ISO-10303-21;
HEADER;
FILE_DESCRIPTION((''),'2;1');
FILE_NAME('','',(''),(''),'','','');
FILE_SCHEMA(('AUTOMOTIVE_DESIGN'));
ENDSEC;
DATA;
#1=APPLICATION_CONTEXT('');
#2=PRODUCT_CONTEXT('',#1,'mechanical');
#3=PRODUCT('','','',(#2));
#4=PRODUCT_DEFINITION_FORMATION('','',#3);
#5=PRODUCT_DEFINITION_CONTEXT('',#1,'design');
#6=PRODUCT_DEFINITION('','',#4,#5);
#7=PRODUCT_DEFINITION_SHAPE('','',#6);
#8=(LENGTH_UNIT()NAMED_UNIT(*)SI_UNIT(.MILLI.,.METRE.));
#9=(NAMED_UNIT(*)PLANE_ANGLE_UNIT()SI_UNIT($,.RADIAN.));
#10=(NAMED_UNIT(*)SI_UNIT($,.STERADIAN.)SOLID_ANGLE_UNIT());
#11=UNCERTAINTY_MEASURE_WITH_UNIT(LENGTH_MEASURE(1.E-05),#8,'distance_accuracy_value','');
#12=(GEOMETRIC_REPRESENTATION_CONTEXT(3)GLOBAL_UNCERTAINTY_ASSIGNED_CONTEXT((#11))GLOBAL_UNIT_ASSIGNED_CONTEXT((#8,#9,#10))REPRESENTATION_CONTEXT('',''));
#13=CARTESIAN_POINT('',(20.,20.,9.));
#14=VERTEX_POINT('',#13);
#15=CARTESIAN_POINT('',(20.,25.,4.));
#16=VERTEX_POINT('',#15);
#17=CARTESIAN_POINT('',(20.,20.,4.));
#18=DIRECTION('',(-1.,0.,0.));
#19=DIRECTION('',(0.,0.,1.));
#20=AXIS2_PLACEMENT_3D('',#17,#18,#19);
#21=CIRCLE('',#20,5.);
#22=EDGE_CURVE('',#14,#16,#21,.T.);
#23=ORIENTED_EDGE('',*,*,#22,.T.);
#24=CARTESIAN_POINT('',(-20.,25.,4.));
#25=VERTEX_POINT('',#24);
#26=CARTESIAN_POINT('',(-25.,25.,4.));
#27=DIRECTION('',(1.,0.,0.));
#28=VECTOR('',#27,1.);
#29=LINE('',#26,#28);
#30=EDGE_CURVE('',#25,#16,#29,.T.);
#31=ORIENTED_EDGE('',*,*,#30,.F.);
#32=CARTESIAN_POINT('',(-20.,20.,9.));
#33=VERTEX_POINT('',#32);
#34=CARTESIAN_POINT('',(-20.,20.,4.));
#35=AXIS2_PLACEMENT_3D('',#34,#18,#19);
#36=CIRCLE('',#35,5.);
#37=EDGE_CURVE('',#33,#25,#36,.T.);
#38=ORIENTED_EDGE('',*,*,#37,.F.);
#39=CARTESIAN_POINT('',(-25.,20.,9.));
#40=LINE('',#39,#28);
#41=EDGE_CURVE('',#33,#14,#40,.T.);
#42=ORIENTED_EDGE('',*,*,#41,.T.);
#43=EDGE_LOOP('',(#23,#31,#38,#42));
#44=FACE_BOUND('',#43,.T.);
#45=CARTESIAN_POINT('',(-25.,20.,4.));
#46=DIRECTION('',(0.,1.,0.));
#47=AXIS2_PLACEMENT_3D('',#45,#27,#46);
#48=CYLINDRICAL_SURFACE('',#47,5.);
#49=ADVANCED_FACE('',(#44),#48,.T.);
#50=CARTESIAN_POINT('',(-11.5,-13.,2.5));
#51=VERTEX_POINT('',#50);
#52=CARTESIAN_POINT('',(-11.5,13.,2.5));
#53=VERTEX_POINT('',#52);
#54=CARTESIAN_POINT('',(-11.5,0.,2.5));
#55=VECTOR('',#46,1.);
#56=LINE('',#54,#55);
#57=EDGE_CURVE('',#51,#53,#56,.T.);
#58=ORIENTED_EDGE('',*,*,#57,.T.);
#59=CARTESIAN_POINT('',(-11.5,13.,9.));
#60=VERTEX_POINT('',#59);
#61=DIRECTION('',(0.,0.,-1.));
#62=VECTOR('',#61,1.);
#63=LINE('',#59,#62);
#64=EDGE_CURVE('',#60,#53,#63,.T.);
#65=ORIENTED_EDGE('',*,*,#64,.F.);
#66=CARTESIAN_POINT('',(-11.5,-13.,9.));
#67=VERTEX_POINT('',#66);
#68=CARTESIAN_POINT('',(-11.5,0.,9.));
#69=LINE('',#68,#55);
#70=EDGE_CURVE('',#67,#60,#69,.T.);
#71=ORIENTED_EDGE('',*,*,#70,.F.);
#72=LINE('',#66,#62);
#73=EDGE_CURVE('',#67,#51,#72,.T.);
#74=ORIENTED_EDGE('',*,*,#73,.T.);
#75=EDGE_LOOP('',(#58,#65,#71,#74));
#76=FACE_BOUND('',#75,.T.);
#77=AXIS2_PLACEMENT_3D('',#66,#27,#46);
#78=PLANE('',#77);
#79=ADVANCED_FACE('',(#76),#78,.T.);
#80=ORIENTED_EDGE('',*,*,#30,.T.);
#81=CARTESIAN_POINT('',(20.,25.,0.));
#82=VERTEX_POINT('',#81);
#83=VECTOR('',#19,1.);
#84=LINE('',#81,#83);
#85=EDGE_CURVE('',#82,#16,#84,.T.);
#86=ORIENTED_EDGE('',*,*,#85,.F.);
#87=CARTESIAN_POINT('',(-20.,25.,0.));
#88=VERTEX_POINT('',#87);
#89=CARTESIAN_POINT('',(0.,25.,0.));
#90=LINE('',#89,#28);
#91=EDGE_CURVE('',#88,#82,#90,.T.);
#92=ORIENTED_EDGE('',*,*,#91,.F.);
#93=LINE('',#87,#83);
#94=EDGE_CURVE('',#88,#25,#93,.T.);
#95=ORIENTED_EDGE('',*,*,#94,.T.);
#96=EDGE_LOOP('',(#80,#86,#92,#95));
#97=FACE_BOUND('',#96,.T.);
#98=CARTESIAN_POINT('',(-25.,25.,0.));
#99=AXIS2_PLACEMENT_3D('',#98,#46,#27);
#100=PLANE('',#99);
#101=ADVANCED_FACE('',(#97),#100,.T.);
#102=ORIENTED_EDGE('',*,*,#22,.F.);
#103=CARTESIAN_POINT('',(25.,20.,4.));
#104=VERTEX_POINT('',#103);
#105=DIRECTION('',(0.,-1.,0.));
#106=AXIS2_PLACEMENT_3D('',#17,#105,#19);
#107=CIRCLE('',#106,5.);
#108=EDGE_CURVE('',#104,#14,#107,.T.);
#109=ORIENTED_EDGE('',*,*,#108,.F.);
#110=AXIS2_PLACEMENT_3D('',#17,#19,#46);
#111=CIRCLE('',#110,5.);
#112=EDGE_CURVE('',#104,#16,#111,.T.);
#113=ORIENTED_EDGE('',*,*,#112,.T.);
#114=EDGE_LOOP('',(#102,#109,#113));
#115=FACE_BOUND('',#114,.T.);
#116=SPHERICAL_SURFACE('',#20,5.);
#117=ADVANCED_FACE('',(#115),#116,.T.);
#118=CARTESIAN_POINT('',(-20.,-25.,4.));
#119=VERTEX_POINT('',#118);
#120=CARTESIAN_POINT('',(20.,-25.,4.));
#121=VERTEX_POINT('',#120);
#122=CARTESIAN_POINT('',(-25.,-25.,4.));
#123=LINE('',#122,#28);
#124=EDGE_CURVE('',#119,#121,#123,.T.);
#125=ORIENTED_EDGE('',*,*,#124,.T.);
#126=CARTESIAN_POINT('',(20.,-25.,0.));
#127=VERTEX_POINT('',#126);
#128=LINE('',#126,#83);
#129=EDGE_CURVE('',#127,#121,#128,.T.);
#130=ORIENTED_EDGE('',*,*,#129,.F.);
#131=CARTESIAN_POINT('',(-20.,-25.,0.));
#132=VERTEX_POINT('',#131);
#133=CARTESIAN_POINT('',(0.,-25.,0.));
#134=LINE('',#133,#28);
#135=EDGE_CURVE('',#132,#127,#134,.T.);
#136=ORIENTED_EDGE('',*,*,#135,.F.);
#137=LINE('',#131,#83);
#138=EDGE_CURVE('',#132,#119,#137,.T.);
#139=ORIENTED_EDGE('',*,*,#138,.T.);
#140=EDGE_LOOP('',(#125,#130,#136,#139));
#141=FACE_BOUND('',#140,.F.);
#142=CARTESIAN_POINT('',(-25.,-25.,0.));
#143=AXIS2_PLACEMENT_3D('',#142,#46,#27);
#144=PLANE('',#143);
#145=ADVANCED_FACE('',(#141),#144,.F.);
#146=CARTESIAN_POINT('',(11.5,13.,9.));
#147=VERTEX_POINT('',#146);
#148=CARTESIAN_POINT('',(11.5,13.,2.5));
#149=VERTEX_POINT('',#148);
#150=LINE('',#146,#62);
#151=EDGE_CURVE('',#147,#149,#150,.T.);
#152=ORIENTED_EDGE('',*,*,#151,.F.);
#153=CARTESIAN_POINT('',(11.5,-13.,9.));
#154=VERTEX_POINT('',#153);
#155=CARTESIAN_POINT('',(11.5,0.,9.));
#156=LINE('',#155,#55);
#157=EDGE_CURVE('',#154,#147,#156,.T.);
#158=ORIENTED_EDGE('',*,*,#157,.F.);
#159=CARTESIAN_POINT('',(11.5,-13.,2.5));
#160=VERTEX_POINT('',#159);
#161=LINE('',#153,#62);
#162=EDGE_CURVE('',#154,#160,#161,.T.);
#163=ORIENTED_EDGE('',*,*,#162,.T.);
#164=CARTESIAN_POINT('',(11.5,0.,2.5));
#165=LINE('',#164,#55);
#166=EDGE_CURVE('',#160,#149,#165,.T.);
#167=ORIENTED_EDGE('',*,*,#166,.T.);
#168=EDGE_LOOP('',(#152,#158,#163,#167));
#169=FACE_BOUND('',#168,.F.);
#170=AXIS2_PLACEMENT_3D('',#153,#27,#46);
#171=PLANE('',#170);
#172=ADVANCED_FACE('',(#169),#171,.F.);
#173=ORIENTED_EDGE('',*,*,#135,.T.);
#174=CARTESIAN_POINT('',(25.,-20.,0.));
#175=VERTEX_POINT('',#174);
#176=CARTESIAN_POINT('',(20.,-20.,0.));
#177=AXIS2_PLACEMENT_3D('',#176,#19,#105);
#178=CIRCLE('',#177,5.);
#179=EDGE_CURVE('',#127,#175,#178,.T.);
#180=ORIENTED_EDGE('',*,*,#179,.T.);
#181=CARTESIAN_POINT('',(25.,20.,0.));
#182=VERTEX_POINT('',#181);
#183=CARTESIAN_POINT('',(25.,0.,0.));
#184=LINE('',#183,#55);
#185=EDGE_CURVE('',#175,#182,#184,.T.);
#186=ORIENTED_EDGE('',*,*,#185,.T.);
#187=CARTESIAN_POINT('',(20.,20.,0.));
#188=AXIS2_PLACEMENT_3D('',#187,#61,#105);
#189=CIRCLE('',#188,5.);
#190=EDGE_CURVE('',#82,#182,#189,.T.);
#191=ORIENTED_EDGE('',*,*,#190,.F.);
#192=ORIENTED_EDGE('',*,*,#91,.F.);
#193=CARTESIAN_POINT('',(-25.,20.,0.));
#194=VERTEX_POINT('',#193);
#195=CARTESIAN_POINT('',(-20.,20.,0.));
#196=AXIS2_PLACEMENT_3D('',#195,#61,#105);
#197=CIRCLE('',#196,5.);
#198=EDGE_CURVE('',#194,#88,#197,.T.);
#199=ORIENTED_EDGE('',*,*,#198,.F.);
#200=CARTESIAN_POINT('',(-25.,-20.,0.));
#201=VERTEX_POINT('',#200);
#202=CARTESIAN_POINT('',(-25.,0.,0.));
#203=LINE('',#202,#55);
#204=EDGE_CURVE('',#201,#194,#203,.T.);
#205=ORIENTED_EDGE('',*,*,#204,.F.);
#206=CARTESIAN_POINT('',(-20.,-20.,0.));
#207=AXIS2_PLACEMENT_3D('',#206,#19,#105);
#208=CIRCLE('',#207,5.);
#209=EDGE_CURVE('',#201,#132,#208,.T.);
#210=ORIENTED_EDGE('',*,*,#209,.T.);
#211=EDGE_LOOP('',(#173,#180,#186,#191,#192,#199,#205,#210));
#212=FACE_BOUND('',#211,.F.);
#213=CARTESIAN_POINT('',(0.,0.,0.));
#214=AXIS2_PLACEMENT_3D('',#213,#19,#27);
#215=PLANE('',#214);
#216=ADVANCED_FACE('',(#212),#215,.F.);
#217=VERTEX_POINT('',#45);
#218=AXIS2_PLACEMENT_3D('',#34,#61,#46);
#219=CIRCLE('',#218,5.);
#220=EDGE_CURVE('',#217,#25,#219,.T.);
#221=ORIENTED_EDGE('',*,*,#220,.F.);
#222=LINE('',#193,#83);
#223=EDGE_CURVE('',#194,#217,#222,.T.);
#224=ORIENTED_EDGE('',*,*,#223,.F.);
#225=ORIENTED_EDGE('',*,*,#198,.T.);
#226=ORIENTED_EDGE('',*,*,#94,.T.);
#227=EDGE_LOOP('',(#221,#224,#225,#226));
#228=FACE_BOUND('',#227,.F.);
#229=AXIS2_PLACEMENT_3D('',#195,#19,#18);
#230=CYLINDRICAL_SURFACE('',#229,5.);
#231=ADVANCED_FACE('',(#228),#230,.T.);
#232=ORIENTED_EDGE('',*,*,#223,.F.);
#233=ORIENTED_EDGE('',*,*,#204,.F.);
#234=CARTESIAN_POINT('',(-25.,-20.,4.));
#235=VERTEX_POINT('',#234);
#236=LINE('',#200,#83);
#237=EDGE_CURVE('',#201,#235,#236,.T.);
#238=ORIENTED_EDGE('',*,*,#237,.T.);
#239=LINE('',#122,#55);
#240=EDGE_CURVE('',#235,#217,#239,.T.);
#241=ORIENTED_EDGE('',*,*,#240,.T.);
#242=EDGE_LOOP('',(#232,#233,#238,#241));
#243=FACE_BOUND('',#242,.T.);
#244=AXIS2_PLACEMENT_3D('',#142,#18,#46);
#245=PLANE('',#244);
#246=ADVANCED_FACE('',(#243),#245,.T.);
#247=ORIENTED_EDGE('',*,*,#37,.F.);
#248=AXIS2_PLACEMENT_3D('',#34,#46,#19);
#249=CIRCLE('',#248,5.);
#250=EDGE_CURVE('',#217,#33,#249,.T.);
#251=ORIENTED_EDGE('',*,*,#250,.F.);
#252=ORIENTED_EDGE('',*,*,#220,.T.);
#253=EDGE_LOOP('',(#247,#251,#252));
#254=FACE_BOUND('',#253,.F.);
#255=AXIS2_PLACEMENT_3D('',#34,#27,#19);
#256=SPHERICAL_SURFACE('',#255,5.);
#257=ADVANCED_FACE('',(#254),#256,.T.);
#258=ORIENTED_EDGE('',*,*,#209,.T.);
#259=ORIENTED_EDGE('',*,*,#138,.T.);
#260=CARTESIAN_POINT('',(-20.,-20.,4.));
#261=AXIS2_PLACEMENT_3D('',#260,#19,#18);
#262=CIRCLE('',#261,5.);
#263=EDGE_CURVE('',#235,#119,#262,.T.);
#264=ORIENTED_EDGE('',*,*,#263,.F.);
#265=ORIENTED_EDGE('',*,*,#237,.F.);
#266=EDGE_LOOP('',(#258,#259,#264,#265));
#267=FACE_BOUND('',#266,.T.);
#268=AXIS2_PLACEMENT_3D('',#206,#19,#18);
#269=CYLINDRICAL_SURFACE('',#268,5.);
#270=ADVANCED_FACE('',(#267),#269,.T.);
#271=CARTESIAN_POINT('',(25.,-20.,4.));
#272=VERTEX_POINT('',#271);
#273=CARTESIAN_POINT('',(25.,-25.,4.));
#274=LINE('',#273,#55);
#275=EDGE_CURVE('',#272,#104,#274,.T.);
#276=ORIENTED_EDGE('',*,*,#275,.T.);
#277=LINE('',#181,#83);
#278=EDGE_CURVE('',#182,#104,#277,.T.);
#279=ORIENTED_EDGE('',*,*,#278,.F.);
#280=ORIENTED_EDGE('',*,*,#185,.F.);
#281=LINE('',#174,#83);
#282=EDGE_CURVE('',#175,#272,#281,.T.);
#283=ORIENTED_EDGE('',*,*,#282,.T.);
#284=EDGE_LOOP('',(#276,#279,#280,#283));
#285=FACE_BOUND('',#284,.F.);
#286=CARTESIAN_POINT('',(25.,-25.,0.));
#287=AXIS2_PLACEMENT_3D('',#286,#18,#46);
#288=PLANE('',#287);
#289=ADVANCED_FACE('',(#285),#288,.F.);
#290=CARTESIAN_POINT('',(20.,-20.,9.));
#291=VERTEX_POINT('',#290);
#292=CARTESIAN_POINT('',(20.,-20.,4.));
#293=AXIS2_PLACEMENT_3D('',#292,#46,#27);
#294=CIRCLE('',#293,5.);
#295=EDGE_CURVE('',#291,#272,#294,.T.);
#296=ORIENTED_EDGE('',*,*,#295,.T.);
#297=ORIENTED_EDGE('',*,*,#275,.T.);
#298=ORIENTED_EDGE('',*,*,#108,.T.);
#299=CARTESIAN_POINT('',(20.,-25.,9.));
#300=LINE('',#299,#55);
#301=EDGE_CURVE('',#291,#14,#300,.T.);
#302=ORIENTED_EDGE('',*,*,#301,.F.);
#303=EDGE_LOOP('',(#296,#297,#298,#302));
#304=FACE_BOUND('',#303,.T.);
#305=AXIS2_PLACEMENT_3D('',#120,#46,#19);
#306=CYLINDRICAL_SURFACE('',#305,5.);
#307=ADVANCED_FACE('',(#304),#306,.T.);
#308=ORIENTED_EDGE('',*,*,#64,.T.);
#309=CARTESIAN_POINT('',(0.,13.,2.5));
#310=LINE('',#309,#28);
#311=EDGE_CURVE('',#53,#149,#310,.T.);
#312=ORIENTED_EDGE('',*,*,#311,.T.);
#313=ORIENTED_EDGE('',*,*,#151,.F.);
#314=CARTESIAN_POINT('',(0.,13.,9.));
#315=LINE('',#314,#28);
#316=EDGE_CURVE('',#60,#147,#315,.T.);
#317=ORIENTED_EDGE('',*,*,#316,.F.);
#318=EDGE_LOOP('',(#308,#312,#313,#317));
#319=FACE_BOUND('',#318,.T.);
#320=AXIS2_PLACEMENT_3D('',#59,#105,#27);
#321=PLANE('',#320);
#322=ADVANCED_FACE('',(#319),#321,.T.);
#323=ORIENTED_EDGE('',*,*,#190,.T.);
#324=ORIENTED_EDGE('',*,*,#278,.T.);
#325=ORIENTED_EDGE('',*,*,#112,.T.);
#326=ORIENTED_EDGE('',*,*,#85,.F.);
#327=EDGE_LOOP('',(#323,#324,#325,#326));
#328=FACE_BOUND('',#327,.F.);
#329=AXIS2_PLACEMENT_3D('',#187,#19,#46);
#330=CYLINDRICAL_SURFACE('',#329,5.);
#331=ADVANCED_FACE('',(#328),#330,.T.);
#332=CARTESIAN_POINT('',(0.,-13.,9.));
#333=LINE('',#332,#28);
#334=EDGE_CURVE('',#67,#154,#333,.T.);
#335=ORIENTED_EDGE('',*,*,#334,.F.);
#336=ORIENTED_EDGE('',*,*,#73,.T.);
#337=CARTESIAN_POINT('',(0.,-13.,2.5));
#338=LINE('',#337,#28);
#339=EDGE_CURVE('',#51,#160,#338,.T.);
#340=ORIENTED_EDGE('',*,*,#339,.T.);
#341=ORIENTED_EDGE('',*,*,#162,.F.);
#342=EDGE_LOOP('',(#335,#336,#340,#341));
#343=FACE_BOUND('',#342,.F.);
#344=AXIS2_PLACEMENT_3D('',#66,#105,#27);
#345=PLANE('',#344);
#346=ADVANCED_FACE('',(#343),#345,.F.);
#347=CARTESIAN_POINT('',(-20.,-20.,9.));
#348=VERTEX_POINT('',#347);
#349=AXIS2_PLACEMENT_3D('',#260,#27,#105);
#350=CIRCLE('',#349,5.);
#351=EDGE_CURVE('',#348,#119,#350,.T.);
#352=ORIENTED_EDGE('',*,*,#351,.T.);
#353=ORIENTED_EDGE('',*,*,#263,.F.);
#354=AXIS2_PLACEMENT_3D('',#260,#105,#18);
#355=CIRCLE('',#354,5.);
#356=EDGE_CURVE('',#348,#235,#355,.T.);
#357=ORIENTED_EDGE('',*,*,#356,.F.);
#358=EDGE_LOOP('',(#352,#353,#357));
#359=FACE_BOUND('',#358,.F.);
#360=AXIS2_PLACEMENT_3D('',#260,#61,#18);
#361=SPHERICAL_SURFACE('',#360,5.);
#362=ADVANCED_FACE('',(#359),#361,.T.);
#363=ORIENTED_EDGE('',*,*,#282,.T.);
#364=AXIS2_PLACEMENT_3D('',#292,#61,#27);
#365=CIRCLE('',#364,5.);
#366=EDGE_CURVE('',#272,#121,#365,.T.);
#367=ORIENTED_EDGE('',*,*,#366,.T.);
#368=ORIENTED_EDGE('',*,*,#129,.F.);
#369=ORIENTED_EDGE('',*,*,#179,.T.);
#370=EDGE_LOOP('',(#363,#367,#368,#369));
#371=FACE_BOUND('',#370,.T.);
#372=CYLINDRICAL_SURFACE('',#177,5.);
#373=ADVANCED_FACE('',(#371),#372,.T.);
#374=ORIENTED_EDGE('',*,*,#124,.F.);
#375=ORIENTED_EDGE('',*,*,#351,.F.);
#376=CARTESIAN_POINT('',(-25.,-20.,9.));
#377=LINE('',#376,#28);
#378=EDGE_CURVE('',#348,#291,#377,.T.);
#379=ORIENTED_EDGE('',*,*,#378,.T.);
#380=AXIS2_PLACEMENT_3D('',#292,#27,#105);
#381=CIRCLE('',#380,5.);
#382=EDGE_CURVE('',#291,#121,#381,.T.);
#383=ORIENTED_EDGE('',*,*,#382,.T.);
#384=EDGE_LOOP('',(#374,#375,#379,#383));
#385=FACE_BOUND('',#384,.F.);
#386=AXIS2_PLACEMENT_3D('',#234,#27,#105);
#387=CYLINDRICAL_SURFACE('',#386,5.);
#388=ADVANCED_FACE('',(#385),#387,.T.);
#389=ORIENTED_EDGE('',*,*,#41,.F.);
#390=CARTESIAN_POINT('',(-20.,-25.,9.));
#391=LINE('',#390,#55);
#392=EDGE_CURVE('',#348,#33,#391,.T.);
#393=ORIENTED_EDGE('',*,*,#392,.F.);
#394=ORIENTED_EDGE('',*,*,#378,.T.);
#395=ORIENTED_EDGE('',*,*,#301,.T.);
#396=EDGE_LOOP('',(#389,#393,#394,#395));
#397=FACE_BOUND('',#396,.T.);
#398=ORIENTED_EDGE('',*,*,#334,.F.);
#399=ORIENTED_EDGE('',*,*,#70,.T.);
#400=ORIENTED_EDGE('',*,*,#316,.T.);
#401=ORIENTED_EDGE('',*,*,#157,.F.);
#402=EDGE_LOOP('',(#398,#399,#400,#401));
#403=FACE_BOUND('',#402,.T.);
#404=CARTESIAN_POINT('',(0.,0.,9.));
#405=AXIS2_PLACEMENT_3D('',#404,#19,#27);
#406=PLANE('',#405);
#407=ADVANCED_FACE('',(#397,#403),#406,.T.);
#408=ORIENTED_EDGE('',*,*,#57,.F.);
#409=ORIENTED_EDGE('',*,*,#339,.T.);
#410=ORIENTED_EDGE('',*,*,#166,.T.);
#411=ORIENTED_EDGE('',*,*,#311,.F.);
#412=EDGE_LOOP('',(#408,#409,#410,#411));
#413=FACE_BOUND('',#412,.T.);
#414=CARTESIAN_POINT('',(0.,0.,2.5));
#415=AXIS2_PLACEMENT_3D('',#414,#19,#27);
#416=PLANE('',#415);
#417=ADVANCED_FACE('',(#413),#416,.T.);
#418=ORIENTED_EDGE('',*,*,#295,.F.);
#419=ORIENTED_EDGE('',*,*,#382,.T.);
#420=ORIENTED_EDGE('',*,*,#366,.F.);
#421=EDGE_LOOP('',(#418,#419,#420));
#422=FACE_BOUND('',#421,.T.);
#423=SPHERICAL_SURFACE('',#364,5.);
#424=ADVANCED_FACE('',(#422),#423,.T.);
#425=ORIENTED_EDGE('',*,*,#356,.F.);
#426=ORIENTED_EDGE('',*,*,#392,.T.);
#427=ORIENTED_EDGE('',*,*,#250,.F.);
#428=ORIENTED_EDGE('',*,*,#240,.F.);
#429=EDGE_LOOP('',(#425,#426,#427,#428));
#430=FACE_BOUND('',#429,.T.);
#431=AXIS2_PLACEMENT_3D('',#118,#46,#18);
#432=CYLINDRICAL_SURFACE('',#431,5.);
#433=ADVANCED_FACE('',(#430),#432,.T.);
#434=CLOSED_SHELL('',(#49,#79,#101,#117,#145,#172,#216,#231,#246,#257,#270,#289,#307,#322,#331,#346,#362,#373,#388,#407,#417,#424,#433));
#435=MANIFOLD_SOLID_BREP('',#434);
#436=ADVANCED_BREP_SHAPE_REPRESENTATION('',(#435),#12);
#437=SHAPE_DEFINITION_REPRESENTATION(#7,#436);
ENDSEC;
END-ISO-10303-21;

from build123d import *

# Parameters (mm, degrees)
F0_W     = 50
F0_H     = 50
F1_DEPTH = 9
F2_W     = 23
F2_H     = 26
F3_DEPTH = 6.5
F4_R     = 5


with BuildPart() as f1:
    # F0 (on Top) → F1 (new body)
    with BuildSketch(Plane.XY):
        Rectangle(F0_W, F0_H)
    extrude(amount=F1_DEPTH)

    # F2 (on face) → F3 (cut)
    with BuildSketch(Plane.XY.offset(9)):
        Rectangle(F2_W, F2_H)
    extrude(amount=-F3_DEPTH, mode=Mode.SUBTRACT)

    # F4
    f4_edges = [f1.edges().sort_by_distance(p)[0] for p in [
        (-25, -25, 4.5),
        (25, -25, 4.5),
        (0, 25, 9),
        (-25, 0, 9),
        (25, 0, 9),
        (0, -25, 9),
        (-25, 25, 4.5),
        (25, 25, 4.5),
    ]]
    fillet(f4_edges, radius=F4_R)


solid = f1.part
